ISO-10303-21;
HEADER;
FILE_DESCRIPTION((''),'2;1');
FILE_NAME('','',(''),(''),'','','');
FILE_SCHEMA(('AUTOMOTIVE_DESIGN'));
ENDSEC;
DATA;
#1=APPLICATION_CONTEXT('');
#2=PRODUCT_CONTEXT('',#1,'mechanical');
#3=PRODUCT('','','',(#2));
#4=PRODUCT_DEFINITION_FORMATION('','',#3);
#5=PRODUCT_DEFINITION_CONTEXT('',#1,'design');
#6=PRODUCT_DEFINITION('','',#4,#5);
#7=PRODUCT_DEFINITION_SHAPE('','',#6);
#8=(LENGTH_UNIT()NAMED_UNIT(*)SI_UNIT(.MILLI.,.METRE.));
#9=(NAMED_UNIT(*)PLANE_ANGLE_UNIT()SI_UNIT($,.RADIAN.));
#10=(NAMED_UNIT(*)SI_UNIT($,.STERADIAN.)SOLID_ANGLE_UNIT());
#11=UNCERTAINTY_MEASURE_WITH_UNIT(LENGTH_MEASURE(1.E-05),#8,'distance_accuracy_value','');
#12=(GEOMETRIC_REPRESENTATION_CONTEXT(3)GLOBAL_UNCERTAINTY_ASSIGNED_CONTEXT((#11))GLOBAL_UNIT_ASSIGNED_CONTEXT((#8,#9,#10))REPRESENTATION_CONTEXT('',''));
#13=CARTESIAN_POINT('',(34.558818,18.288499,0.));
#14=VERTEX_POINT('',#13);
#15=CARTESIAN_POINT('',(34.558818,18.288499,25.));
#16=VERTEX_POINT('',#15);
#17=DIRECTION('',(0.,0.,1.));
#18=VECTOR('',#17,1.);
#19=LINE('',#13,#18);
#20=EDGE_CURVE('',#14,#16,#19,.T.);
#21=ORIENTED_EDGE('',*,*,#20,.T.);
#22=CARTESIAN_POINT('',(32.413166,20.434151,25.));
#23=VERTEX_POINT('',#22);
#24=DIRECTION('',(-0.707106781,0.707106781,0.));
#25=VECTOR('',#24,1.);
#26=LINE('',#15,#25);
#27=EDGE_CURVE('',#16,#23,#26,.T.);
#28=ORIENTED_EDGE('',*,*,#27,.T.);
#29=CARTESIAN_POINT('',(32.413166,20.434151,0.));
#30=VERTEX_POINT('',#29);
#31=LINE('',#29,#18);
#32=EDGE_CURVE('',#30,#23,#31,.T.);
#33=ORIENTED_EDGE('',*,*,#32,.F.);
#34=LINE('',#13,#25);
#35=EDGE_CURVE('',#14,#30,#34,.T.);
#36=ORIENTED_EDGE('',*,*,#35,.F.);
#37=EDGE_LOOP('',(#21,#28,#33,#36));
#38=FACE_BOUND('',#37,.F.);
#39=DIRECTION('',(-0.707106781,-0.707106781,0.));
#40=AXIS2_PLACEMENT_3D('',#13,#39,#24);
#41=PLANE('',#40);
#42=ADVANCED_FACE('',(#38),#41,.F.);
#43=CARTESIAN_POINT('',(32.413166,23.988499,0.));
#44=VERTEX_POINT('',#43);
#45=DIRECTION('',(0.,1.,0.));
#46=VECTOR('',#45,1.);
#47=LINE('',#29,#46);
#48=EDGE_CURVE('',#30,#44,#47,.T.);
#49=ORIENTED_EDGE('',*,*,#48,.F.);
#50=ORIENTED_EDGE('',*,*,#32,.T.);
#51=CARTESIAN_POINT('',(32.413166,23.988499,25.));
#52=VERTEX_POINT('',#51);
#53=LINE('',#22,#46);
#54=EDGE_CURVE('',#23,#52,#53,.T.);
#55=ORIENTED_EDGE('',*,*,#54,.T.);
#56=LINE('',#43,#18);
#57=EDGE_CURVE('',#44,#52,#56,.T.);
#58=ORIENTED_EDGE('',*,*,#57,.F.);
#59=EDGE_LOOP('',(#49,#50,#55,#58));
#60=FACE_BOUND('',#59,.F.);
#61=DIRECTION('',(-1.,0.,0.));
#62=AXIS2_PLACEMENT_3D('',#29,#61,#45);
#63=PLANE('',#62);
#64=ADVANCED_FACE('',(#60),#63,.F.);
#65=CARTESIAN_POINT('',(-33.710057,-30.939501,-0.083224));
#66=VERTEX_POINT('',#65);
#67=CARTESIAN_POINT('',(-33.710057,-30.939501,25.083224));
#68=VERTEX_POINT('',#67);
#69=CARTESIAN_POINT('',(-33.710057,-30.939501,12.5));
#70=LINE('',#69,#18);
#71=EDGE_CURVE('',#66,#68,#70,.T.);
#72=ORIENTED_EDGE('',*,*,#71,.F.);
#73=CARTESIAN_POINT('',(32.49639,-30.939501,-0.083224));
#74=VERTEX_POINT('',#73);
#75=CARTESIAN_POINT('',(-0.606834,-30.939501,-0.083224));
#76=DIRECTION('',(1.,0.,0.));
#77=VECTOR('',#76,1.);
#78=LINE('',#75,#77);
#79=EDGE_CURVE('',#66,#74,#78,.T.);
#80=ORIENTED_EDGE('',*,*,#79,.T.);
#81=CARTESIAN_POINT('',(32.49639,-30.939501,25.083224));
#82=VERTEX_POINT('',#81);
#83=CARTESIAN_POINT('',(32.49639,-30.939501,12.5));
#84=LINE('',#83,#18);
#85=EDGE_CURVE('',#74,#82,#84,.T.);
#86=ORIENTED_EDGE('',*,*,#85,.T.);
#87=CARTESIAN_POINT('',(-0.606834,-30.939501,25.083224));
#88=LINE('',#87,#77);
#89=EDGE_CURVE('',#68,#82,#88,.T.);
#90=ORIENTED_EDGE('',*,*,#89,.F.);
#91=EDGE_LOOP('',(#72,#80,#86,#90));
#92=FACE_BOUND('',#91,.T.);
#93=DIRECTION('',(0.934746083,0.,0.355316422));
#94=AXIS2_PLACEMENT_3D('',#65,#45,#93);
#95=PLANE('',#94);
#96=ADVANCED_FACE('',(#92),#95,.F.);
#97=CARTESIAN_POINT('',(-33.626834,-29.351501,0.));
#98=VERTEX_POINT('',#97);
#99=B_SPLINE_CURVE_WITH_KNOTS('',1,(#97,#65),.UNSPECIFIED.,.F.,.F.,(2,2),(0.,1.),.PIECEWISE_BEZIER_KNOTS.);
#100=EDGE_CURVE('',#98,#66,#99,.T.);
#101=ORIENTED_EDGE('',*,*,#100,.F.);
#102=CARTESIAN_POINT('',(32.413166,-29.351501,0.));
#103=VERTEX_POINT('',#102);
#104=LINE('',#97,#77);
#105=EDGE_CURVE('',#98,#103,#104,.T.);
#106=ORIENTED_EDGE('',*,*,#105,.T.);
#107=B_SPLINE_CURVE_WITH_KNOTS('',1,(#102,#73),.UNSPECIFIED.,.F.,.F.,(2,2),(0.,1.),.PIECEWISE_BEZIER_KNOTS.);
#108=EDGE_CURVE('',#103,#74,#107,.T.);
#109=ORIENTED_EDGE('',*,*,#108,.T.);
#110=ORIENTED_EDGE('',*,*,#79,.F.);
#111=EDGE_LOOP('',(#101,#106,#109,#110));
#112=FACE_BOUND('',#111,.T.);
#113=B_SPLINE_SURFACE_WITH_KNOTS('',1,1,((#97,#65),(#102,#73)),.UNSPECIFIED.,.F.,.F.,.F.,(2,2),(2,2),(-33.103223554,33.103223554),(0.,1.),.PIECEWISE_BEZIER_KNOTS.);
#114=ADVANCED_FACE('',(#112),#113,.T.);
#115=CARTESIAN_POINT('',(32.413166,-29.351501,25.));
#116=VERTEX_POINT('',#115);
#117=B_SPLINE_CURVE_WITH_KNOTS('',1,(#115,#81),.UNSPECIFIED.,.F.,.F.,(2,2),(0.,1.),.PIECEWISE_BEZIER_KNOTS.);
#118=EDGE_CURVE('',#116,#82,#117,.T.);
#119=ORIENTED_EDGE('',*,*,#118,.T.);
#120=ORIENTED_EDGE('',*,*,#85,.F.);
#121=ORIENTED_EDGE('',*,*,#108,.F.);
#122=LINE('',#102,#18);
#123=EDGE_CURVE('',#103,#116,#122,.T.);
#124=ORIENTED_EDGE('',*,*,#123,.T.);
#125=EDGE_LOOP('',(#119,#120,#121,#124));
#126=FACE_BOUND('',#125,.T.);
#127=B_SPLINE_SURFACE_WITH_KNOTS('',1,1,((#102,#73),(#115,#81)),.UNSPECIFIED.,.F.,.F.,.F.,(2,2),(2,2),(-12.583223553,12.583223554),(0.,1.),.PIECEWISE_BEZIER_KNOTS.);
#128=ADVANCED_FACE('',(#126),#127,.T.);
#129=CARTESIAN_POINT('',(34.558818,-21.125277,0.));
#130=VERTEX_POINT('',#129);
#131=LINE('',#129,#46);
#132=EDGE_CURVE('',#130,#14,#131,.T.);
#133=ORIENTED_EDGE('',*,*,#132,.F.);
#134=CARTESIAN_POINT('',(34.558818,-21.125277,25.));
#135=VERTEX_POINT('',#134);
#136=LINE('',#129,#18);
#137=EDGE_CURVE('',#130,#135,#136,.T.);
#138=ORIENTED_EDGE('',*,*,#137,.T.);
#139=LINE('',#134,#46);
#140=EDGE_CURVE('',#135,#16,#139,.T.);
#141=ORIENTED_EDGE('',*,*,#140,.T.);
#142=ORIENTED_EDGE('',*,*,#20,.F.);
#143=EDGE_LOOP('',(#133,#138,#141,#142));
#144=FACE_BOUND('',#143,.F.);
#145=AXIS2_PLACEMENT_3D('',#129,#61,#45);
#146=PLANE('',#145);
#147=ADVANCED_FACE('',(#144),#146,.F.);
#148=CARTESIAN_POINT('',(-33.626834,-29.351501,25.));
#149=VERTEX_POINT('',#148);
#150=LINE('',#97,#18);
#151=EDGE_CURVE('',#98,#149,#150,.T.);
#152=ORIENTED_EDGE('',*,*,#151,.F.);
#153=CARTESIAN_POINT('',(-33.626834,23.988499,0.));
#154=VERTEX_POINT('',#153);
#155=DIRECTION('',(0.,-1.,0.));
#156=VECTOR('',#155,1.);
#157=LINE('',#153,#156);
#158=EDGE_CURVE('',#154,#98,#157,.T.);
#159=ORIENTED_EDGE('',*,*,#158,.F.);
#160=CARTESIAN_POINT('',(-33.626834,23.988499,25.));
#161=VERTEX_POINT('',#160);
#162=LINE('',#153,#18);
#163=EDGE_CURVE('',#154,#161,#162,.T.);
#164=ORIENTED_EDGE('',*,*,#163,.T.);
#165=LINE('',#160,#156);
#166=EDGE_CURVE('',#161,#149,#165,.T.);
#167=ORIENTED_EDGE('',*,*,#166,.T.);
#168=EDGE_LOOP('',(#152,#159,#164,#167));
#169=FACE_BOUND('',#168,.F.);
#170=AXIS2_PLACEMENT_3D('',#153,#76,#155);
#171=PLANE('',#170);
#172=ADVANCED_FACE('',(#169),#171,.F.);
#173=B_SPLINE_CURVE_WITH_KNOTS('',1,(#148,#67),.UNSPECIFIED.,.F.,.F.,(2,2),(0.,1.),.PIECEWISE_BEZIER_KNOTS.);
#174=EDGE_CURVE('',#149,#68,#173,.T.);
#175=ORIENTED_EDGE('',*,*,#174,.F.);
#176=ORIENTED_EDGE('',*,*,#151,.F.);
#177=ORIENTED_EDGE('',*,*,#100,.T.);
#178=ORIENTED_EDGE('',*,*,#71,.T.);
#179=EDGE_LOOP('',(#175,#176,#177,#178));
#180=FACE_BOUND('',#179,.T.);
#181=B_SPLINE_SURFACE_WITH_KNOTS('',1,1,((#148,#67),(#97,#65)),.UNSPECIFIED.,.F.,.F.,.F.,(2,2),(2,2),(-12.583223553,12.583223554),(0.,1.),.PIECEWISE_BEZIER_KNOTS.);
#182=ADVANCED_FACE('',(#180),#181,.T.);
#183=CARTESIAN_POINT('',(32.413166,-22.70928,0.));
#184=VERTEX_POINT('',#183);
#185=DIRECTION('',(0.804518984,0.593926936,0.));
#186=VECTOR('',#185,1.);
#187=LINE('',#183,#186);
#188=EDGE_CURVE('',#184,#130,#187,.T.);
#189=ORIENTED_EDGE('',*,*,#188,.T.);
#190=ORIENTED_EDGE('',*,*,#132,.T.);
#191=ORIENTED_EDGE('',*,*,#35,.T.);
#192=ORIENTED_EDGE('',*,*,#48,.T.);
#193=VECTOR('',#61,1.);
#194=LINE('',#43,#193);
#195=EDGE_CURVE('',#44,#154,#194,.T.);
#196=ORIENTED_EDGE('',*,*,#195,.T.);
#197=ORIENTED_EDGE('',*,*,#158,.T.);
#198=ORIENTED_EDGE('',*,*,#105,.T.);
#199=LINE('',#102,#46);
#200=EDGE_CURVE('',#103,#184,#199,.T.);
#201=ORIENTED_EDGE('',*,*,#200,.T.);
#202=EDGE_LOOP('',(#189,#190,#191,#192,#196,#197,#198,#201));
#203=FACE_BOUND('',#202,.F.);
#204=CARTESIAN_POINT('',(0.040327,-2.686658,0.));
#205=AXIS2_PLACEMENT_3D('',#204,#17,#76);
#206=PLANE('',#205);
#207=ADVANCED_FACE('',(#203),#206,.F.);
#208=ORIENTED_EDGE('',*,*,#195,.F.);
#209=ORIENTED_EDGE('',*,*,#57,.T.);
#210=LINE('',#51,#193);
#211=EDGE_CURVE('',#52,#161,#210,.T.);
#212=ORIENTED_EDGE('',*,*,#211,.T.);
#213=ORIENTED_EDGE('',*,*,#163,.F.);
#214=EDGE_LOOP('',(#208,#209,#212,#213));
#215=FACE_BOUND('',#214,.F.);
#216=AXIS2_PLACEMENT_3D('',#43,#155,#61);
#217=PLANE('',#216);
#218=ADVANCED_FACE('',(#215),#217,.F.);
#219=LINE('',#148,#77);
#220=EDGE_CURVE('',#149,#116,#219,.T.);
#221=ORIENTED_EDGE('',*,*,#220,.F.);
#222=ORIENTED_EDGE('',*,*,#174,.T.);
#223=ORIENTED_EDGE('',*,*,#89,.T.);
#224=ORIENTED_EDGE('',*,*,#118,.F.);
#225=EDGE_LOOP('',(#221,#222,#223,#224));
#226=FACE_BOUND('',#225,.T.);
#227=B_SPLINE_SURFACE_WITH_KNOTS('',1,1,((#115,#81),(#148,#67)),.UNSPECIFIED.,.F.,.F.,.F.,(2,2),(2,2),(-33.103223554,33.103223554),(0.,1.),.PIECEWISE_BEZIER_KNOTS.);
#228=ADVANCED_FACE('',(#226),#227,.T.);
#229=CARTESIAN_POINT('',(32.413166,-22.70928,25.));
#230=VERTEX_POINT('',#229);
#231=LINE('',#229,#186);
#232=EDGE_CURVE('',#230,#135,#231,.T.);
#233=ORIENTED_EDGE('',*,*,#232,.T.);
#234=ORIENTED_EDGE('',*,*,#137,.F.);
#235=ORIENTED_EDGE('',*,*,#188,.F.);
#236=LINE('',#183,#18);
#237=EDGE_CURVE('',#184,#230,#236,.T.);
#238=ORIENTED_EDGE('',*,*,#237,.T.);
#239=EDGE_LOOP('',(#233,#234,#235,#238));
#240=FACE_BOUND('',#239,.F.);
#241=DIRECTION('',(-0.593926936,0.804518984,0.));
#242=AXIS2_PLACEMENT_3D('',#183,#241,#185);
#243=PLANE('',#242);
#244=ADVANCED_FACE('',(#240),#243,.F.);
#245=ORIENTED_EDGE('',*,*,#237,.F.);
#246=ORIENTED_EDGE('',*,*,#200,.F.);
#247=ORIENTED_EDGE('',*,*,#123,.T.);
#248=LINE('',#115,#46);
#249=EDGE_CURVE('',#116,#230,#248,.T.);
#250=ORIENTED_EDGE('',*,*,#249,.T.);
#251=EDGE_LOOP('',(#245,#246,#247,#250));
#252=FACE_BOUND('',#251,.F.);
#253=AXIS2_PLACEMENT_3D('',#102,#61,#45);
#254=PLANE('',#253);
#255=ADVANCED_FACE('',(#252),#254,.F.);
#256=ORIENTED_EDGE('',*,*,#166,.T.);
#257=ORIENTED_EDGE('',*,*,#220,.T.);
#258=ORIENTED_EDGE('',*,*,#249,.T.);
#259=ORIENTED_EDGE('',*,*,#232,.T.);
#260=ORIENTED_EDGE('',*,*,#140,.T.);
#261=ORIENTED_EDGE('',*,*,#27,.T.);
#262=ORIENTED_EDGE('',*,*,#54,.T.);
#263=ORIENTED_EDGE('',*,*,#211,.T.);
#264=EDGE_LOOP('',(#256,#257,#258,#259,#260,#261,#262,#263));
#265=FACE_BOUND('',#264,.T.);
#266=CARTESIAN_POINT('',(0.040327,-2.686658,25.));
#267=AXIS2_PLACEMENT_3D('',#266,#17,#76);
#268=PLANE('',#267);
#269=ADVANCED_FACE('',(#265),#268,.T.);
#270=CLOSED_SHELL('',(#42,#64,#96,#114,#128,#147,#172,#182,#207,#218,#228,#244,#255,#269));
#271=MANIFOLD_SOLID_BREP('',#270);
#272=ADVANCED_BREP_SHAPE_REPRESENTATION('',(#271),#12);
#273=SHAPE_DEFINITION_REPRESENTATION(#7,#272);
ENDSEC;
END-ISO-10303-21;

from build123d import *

# Parameters (mm, degrees)
F1_DEPTH  = 25
F1_FACE_W = 66.04
F1_FACE_H = 25
F2_DEPTH  = 1.588
F2_TAPER  = -3


with BuildPart() as f1:
    # F0 (on Top) → F1 (new body)
    with BuildSketch(Plane.XY):
        Polygon((32.4131661011, 23.9884992057), (-33.6268338989, 23.9884992057), (-33.6268338989, -29.3515007943), (32.4131661011, -29.3515007943), (32.4131661011, -22.7092797923), (34.5588182305, -21.1252766549), (34.5588182305, 18.2884992057), (32.4131661011, 20.4341513352), align=None)
    extrude(amount=F1_DEPTH)

    # F1_face (on face) → F2 (join)
    with BuildSketch(Plane(origin=(-0.6068338989, -29.3515007943, 12.5), x_dir=(1, 0, 0), z_dir=(0, -1, 0))):
        Rectangle(F1_FACE_W, F1_FACE_H)
    extrude(amount=F2_DEPTH, taper=F2_TAPER)


solid = f1.part
